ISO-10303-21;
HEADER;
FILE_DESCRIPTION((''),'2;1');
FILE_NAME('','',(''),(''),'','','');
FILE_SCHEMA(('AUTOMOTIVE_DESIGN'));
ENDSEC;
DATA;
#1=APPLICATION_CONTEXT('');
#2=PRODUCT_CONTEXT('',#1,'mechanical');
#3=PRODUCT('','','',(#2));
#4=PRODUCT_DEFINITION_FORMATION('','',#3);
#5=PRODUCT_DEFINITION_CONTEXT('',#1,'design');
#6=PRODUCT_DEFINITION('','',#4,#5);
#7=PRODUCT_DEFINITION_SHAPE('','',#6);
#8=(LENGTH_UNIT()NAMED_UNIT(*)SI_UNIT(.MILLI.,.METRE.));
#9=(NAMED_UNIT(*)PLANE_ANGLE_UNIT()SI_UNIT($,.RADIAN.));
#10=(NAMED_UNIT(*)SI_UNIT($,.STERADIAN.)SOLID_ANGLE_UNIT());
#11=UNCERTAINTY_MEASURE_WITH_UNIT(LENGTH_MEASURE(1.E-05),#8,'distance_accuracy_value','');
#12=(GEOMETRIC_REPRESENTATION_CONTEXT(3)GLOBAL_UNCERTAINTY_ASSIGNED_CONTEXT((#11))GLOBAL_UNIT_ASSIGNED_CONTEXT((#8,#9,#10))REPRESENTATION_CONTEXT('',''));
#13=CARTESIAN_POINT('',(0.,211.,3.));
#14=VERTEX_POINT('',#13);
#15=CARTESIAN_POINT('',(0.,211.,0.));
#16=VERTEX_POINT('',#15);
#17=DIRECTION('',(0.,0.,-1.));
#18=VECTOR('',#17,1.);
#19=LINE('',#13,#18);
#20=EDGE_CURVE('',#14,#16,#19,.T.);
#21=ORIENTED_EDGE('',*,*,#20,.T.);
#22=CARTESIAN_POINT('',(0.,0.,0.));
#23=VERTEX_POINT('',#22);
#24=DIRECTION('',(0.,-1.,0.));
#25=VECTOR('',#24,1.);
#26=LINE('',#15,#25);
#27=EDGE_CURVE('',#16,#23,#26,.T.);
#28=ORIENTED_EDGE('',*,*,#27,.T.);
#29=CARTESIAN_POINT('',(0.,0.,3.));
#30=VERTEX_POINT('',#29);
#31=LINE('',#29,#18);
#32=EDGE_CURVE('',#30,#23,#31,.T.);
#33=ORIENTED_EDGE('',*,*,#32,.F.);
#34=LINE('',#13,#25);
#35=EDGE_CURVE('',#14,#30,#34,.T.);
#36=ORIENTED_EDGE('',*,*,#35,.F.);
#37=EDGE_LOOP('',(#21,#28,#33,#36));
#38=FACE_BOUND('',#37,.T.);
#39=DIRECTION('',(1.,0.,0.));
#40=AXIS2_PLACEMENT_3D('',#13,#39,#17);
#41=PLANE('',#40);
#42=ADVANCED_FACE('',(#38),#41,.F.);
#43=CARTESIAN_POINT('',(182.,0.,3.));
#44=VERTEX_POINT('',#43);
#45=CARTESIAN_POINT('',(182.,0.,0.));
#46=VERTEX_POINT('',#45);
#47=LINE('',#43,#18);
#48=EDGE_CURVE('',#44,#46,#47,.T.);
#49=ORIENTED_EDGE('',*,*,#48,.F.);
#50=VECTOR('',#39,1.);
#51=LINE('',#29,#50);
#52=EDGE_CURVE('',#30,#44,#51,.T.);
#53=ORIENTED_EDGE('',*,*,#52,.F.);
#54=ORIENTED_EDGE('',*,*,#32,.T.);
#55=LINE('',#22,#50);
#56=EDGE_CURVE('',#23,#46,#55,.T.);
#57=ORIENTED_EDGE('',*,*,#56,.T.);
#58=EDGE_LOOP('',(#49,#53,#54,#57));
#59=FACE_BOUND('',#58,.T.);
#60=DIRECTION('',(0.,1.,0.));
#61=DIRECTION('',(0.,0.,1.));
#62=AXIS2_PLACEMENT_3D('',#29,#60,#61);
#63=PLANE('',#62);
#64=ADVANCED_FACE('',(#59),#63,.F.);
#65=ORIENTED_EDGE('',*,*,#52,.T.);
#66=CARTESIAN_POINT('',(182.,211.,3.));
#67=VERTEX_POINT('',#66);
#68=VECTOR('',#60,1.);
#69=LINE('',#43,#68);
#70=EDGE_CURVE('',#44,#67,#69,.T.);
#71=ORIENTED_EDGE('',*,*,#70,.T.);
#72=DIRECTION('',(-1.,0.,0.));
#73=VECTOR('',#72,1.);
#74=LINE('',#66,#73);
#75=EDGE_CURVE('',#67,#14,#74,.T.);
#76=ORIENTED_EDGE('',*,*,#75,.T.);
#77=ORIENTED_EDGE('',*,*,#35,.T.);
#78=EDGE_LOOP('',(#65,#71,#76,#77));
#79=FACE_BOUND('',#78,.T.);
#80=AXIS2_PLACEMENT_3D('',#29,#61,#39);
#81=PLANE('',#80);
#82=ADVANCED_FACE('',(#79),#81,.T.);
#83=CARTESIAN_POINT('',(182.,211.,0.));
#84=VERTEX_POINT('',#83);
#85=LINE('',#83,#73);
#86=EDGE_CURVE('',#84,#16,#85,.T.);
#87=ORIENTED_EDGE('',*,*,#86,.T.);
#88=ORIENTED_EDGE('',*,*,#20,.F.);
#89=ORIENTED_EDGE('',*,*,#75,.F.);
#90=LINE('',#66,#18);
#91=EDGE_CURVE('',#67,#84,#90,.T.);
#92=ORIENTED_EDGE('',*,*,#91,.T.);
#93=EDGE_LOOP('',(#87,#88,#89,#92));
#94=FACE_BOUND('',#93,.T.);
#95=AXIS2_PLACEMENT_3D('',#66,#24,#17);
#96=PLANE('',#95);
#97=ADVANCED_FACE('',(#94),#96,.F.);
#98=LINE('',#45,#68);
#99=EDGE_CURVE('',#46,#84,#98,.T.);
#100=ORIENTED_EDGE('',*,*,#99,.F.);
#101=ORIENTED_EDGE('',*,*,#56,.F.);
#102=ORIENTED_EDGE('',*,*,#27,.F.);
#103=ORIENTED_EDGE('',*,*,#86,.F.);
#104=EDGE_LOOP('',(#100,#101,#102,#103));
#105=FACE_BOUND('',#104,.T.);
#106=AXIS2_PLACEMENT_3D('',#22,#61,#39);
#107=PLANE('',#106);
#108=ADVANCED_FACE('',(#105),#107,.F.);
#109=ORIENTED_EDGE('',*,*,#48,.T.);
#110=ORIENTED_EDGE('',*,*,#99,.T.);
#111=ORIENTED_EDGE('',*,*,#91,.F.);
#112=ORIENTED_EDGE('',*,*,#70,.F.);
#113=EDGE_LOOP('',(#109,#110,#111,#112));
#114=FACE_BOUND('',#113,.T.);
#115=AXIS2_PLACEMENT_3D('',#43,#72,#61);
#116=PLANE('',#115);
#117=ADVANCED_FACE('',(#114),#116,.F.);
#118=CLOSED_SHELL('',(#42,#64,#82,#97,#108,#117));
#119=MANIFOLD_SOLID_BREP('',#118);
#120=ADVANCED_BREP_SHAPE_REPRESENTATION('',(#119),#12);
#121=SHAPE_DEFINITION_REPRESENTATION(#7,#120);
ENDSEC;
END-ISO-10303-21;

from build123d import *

# Parameters (mm, degrees)
SKETCH_1_W         = 182
SKETCH_1_H         = 211
BLOCKEXTRUDE_DEPTH = 3


with BuildPart() as part:
    # 草图1 → BlockExtrude (new body)
    with BuildSketch(Plane.XY):
        with Locations((91, 105.5)):
            Rectangle(SKETCH_1_W, SKETCH_1_H)
    extrude(amount=BLOCKEXTRUDE_DEPTH)


solid = part.part
